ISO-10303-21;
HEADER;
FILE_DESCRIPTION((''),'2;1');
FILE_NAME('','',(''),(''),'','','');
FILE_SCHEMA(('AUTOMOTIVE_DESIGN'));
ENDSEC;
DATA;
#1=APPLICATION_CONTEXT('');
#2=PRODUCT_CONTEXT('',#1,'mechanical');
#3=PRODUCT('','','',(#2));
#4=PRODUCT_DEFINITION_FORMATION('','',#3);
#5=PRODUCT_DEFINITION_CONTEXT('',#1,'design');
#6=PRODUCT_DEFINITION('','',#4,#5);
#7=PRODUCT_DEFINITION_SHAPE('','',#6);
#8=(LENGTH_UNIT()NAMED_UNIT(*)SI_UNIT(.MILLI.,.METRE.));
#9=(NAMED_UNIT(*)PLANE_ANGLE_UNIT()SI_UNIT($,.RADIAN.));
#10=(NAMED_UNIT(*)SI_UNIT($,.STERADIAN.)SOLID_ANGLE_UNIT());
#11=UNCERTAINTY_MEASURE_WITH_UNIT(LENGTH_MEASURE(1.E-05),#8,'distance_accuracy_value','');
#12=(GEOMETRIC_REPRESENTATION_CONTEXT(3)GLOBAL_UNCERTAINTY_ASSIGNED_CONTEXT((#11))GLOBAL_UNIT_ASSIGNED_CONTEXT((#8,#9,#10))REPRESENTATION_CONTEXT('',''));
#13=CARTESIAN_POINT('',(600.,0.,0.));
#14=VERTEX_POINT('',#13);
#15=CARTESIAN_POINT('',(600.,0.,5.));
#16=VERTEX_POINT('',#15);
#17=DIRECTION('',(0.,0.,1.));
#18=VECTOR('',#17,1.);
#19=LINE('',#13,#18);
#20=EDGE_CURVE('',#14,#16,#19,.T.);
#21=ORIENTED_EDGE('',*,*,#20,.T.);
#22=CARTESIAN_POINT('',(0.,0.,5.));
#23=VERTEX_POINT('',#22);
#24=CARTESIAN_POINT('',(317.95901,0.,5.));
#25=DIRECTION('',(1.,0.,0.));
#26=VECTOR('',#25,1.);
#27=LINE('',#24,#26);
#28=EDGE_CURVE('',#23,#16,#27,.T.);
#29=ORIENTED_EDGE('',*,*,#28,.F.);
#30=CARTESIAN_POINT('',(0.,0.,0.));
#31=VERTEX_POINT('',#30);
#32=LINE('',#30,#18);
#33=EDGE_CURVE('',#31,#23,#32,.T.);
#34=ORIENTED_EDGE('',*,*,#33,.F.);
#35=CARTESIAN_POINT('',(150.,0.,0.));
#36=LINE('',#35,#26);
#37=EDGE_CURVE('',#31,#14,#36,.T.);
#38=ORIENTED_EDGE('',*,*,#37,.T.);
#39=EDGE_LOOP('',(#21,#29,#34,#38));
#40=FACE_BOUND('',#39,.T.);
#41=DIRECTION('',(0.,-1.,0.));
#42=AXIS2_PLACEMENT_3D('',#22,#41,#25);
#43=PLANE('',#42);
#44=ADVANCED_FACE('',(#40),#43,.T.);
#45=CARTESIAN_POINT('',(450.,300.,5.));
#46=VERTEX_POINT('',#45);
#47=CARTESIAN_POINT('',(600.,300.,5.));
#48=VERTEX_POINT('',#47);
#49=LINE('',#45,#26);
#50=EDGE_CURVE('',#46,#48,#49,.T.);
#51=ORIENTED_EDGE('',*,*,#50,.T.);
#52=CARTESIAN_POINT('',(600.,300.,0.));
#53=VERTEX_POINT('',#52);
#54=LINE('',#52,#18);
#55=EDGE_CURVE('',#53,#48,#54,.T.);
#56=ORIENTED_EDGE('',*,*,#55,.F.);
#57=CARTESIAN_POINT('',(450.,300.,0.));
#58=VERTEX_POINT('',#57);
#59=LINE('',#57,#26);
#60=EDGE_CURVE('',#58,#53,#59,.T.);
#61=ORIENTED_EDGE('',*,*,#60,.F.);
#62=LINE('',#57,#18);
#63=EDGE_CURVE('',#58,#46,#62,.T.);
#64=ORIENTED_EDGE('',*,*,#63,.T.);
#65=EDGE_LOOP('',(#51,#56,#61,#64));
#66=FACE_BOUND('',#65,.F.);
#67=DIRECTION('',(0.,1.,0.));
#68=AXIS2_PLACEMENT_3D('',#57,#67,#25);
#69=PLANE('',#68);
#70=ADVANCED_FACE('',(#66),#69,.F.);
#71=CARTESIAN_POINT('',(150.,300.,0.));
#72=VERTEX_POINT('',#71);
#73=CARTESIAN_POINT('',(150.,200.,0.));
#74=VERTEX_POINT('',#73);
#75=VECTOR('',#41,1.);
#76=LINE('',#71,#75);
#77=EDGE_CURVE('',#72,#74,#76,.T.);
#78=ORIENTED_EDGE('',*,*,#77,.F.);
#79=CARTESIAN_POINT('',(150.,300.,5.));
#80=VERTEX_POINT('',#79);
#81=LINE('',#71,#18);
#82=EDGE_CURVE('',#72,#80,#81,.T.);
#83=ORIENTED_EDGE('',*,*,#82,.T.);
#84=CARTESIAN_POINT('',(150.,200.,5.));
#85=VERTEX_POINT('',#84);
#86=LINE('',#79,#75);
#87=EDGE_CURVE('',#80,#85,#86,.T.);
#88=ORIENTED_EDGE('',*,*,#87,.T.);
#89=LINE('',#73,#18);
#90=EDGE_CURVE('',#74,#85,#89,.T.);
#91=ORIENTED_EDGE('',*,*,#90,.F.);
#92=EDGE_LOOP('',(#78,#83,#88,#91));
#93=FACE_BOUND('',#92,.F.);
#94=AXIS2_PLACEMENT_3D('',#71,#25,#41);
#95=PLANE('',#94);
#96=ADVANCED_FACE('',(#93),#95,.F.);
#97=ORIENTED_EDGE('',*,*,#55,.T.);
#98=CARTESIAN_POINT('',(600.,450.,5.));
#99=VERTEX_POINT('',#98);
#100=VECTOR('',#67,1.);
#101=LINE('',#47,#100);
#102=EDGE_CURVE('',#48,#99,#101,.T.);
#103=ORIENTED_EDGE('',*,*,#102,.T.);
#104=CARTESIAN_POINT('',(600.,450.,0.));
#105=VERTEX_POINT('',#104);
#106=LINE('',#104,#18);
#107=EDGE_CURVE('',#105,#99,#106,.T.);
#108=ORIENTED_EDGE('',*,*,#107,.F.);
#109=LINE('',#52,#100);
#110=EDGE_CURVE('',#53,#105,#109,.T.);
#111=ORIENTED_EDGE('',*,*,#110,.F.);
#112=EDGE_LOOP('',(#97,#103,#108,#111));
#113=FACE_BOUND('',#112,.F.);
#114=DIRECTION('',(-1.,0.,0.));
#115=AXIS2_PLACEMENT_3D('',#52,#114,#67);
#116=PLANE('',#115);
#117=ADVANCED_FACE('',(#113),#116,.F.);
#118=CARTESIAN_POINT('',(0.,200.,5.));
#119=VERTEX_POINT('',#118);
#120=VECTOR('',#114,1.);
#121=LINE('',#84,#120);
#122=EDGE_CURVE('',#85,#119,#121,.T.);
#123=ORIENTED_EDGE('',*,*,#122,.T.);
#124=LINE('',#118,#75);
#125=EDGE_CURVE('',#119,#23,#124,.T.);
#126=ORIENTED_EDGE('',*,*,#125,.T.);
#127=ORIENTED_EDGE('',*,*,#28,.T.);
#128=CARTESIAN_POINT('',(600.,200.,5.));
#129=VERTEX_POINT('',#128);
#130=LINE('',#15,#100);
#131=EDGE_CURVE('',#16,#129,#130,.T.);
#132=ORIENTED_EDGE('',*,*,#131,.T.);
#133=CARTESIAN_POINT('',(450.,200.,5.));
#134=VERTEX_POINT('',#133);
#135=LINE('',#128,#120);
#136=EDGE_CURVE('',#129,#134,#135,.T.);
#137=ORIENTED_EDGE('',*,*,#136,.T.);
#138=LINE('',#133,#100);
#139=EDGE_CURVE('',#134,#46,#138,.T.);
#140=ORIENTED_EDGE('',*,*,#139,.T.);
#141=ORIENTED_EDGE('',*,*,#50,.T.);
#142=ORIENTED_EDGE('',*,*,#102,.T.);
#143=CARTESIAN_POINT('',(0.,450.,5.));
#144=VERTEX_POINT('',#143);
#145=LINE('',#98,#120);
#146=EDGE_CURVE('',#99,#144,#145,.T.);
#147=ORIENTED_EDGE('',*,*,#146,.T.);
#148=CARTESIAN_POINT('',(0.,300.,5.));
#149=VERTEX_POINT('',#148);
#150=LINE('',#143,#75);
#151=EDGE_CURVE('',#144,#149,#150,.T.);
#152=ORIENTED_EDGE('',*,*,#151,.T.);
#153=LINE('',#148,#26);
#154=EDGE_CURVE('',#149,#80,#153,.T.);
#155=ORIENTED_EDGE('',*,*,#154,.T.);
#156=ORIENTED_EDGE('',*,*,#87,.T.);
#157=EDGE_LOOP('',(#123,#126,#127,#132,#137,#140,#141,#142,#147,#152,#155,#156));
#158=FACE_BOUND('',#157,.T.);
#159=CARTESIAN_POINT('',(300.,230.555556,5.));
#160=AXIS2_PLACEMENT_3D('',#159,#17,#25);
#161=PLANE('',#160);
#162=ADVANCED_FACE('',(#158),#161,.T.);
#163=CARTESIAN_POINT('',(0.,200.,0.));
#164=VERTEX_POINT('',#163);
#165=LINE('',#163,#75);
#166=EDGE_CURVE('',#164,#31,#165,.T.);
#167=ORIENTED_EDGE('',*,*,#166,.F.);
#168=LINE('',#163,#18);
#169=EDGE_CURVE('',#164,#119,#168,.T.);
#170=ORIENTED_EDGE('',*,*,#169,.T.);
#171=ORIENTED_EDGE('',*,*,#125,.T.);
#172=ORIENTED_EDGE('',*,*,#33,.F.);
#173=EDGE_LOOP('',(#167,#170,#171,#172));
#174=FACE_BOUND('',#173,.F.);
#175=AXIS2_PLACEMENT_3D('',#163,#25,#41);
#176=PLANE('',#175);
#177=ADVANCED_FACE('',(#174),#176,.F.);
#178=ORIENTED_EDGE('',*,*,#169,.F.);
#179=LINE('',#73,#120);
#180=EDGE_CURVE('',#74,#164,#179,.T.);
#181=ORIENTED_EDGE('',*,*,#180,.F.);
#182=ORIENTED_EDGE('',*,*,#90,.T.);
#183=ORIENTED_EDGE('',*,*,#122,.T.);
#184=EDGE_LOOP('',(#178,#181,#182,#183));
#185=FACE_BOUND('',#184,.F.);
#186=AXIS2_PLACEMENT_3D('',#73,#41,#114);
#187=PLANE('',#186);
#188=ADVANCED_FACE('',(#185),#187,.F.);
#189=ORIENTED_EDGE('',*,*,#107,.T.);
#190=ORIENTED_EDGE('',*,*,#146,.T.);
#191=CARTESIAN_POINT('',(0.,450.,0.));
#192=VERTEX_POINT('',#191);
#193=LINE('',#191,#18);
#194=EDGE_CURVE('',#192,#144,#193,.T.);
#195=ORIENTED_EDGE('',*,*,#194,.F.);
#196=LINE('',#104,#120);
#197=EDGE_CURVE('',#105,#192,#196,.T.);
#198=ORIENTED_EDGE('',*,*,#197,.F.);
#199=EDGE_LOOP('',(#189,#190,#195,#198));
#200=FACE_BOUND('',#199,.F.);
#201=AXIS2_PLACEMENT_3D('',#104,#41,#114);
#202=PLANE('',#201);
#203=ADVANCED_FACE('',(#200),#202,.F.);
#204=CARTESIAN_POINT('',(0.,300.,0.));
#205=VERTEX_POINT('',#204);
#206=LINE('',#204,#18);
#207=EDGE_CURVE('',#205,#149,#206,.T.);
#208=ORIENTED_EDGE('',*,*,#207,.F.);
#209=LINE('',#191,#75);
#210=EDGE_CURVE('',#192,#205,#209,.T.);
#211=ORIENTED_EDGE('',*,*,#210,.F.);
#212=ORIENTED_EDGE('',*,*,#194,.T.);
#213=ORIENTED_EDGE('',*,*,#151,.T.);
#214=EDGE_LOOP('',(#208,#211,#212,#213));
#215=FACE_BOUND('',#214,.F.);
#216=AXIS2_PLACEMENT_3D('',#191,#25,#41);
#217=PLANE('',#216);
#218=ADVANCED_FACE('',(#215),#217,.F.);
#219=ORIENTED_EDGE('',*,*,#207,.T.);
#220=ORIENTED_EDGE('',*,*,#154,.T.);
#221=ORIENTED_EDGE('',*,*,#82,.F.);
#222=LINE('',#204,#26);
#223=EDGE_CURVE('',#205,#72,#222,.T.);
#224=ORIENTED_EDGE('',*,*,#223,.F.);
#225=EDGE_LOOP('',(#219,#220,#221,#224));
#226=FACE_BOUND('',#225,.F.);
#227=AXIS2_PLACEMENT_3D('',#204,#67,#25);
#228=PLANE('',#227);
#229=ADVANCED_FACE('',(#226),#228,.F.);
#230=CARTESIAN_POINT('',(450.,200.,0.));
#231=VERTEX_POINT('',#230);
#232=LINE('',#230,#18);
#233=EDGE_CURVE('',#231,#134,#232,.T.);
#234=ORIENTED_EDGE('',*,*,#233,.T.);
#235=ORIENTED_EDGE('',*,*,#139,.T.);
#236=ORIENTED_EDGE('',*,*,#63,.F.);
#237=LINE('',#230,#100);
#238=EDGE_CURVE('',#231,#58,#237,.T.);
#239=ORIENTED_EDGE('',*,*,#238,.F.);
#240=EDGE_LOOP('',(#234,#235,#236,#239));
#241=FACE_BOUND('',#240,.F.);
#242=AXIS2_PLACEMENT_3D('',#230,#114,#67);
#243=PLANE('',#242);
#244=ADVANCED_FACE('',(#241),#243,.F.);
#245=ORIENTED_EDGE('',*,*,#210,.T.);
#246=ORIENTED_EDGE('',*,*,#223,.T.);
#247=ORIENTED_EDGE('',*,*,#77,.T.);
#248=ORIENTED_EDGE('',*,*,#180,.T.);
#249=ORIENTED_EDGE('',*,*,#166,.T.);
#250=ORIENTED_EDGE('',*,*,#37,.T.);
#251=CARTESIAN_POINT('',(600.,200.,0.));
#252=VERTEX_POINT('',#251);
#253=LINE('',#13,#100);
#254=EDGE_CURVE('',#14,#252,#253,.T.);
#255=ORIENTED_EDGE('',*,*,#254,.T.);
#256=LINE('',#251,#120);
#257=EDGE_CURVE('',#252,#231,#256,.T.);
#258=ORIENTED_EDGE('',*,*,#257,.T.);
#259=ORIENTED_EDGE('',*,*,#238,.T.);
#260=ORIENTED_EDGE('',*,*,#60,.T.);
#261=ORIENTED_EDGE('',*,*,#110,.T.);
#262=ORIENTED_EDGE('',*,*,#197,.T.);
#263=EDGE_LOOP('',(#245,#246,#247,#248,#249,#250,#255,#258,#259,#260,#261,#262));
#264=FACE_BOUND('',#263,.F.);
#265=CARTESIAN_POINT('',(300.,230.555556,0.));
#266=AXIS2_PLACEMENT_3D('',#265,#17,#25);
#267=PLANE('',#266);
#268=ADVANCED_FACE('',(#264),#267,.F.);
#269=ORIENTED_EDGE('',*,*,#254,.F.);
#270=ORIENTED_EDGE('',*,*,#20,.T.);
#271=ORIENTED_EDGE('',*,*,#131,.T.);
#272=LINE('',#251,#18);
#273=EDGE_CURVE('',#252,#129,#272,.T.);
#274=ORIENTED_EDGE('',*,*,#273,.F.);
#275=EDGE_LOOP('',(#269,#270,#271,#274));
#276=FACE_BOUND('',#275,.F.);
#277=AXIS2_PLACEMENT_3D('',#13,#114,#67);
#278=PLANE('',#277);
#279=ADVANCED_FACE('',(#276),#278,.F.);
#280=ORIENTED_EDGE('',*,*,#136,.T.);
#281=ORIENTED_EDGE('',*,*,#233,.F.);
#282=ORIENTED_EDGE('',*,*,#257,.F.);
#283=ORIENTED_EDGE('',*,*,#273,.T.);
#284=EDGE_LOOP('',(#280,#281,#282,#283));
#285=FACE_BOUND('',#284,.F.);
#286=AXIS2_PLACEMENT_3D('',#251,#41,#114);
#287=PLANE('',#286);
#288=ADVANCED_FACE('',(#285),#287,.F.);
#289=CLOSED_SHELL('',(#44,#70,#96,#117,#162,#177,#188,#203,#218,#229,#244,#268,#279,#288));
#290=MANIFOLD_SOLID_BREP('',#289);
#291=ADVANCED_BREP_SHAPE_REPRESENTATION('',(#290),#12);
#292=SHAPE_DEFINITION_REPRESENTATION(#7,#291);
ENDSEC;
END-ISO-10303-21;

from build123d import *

# Parameters (mm, degrees)
F1_DEPTH = 5
F2_W     = 635.918021
F2_H     = 207.585454
F3_DEPTH = 25


with BuildPart() as f1:
    # F0 (on Top) → F1 (new body)
    with BuildSketch(Plane.XY):
        Polygon((0, 200), (0, 0), (600, 0), (600, 200), (450, 200), (450, 300), (600, 300), (600, 450), (0, 450), (0, 300), (150, 300), (150, 200), align=None)
        Polygon((600, 0), (0, 0), (150, -200), (450, -200), align=None)
    extrude(amount=F1_DEPTH)

    # F2 (on face) → F3 (cut)
    with BuildSketch(Plane.XY.offset(5)):
        with Locations((317.95901, -103.792727)):
            Rectangle(F2_W, F2_H)
    extrude(amount=-F3_DEPTH, mode=Mode.SUBTRACT)


solid = f1.part
